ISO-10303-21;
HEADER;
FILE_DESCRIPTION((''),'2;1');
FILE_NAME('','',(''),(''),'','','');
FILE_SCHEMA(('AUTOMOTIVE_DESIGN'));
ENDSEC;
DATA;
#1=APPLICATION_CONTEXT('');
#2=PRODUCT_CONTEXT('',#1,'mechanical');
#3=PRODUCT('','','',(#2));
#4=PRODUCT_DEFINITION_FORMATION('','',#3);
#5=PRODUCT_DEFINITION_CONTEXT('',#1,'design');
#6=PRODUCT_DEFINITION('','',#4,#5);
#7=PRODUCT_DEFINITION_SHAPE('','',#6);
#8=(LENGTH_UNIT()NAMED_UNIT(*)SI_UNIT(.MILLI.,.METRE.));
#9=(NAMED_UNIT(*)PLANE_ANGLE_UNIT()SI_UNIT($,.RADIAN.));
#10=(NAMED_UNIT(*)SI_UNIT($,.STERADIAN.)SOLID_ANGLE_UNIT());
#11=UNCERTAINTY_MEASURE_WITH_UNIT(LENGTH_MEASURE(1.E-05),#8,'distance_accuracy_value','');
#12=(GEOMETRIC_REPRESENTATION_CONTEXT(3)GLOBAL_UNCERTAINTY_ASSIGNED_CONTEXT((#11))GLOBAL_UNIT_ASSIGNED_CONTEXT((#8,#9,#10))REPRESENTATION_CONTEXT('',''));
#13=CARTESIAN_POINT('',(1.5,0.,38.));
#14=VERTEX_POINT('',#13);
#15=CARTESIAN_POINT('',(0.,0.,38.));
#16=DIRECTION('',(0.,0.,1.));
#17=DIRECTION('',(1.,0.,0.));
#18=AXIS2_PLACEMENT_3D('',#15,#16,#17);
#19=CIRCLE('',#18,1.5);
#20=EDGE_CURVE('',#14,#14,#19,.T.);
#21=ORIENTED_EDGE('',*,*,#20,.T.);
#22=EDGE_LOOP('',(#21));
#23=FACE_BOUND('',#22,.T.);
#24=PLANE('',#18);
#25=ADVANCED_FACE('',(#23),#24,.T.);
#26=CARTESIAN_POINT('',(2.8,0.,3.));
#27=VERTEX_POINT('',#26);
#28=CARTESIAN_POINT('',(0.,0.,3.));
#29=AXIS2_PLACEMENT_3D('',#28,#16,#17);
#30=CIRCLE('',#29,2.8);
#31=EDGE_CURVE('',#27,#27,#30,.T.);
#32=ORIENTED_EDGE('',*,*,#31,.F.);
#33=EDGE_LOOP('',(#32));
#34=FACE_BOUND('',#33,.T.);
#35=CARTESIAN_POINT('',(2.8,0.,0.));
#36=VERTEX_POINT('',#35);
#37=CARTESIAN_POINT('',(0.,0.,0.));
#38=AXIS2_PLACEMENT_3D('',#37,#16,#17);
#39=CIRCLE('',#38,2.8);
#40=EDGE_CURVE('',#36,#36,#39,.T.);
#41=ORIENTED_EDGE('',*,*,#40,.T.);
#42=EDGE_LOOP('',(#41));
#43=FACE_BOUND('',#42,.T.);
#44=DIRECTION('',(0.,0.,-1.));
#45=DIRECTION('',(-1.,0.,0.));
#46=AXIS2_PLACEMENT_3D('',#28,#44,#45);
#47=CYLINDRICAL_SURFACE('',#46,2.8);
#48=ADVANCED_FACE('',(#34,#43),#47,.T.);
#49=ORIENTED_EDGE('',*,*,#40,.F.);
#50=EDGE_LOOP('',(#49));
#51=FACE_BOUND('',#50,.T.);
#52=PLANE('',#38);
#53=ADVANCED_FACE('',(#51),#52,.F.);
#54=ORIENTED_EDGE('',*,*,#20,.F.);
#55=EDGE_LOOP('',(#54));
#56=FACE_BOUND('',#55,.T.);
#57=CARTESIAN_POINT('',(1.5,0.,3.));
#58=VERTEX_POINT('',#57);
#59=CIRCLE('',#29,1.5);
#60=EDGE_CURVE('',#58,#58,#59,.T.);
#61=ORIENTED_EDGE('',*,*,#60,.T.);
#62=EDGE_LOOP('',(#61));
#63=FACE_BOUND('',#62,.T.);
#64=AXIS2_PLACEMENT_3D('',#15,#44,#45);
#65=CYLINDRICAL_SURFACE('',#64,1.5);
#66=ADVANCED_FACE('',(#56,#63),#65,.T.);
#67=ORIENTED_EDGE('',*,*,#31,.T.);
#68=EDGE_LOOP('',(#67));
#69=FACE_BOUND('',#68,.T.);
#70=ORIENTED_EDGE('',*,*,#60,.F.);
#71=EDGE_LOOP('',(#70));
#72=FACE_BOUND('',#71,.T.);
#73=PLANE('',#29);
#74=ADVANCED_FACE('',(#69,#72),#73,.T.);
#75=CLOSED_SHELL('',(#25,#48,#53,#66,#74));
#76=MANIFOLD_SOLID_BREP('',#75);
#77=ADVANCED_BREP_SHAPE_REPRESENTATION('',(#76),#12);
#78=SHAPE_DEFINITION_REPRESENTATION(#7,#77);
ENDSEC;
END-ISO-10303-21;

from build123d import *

# Parameters (mm, degrees)
SKETCH_1_R      = 2.8
EXTRUDE_1_DEPTH = 3
SKETCH_2_R      = 1.5
EXTRUDE_2_DEPTH = 35


with BuildPart() as part:
    # 草图1 → 凸台-拉伸1 (new body)
    with BuildSketch(Plane.XY):
        Circle(SKETCH_1_R)
    extrude(amount=EXTRUDE_1_DEPTH)

    # 草图2 → 凸台-拉伸2 (add)
    with BuildSketch(Plane.XY.offset(3)):
        Circle(SKETCH_2_R)
    extrude(amount=EXTRUDE_2_DEPTH)


solid = part.part
